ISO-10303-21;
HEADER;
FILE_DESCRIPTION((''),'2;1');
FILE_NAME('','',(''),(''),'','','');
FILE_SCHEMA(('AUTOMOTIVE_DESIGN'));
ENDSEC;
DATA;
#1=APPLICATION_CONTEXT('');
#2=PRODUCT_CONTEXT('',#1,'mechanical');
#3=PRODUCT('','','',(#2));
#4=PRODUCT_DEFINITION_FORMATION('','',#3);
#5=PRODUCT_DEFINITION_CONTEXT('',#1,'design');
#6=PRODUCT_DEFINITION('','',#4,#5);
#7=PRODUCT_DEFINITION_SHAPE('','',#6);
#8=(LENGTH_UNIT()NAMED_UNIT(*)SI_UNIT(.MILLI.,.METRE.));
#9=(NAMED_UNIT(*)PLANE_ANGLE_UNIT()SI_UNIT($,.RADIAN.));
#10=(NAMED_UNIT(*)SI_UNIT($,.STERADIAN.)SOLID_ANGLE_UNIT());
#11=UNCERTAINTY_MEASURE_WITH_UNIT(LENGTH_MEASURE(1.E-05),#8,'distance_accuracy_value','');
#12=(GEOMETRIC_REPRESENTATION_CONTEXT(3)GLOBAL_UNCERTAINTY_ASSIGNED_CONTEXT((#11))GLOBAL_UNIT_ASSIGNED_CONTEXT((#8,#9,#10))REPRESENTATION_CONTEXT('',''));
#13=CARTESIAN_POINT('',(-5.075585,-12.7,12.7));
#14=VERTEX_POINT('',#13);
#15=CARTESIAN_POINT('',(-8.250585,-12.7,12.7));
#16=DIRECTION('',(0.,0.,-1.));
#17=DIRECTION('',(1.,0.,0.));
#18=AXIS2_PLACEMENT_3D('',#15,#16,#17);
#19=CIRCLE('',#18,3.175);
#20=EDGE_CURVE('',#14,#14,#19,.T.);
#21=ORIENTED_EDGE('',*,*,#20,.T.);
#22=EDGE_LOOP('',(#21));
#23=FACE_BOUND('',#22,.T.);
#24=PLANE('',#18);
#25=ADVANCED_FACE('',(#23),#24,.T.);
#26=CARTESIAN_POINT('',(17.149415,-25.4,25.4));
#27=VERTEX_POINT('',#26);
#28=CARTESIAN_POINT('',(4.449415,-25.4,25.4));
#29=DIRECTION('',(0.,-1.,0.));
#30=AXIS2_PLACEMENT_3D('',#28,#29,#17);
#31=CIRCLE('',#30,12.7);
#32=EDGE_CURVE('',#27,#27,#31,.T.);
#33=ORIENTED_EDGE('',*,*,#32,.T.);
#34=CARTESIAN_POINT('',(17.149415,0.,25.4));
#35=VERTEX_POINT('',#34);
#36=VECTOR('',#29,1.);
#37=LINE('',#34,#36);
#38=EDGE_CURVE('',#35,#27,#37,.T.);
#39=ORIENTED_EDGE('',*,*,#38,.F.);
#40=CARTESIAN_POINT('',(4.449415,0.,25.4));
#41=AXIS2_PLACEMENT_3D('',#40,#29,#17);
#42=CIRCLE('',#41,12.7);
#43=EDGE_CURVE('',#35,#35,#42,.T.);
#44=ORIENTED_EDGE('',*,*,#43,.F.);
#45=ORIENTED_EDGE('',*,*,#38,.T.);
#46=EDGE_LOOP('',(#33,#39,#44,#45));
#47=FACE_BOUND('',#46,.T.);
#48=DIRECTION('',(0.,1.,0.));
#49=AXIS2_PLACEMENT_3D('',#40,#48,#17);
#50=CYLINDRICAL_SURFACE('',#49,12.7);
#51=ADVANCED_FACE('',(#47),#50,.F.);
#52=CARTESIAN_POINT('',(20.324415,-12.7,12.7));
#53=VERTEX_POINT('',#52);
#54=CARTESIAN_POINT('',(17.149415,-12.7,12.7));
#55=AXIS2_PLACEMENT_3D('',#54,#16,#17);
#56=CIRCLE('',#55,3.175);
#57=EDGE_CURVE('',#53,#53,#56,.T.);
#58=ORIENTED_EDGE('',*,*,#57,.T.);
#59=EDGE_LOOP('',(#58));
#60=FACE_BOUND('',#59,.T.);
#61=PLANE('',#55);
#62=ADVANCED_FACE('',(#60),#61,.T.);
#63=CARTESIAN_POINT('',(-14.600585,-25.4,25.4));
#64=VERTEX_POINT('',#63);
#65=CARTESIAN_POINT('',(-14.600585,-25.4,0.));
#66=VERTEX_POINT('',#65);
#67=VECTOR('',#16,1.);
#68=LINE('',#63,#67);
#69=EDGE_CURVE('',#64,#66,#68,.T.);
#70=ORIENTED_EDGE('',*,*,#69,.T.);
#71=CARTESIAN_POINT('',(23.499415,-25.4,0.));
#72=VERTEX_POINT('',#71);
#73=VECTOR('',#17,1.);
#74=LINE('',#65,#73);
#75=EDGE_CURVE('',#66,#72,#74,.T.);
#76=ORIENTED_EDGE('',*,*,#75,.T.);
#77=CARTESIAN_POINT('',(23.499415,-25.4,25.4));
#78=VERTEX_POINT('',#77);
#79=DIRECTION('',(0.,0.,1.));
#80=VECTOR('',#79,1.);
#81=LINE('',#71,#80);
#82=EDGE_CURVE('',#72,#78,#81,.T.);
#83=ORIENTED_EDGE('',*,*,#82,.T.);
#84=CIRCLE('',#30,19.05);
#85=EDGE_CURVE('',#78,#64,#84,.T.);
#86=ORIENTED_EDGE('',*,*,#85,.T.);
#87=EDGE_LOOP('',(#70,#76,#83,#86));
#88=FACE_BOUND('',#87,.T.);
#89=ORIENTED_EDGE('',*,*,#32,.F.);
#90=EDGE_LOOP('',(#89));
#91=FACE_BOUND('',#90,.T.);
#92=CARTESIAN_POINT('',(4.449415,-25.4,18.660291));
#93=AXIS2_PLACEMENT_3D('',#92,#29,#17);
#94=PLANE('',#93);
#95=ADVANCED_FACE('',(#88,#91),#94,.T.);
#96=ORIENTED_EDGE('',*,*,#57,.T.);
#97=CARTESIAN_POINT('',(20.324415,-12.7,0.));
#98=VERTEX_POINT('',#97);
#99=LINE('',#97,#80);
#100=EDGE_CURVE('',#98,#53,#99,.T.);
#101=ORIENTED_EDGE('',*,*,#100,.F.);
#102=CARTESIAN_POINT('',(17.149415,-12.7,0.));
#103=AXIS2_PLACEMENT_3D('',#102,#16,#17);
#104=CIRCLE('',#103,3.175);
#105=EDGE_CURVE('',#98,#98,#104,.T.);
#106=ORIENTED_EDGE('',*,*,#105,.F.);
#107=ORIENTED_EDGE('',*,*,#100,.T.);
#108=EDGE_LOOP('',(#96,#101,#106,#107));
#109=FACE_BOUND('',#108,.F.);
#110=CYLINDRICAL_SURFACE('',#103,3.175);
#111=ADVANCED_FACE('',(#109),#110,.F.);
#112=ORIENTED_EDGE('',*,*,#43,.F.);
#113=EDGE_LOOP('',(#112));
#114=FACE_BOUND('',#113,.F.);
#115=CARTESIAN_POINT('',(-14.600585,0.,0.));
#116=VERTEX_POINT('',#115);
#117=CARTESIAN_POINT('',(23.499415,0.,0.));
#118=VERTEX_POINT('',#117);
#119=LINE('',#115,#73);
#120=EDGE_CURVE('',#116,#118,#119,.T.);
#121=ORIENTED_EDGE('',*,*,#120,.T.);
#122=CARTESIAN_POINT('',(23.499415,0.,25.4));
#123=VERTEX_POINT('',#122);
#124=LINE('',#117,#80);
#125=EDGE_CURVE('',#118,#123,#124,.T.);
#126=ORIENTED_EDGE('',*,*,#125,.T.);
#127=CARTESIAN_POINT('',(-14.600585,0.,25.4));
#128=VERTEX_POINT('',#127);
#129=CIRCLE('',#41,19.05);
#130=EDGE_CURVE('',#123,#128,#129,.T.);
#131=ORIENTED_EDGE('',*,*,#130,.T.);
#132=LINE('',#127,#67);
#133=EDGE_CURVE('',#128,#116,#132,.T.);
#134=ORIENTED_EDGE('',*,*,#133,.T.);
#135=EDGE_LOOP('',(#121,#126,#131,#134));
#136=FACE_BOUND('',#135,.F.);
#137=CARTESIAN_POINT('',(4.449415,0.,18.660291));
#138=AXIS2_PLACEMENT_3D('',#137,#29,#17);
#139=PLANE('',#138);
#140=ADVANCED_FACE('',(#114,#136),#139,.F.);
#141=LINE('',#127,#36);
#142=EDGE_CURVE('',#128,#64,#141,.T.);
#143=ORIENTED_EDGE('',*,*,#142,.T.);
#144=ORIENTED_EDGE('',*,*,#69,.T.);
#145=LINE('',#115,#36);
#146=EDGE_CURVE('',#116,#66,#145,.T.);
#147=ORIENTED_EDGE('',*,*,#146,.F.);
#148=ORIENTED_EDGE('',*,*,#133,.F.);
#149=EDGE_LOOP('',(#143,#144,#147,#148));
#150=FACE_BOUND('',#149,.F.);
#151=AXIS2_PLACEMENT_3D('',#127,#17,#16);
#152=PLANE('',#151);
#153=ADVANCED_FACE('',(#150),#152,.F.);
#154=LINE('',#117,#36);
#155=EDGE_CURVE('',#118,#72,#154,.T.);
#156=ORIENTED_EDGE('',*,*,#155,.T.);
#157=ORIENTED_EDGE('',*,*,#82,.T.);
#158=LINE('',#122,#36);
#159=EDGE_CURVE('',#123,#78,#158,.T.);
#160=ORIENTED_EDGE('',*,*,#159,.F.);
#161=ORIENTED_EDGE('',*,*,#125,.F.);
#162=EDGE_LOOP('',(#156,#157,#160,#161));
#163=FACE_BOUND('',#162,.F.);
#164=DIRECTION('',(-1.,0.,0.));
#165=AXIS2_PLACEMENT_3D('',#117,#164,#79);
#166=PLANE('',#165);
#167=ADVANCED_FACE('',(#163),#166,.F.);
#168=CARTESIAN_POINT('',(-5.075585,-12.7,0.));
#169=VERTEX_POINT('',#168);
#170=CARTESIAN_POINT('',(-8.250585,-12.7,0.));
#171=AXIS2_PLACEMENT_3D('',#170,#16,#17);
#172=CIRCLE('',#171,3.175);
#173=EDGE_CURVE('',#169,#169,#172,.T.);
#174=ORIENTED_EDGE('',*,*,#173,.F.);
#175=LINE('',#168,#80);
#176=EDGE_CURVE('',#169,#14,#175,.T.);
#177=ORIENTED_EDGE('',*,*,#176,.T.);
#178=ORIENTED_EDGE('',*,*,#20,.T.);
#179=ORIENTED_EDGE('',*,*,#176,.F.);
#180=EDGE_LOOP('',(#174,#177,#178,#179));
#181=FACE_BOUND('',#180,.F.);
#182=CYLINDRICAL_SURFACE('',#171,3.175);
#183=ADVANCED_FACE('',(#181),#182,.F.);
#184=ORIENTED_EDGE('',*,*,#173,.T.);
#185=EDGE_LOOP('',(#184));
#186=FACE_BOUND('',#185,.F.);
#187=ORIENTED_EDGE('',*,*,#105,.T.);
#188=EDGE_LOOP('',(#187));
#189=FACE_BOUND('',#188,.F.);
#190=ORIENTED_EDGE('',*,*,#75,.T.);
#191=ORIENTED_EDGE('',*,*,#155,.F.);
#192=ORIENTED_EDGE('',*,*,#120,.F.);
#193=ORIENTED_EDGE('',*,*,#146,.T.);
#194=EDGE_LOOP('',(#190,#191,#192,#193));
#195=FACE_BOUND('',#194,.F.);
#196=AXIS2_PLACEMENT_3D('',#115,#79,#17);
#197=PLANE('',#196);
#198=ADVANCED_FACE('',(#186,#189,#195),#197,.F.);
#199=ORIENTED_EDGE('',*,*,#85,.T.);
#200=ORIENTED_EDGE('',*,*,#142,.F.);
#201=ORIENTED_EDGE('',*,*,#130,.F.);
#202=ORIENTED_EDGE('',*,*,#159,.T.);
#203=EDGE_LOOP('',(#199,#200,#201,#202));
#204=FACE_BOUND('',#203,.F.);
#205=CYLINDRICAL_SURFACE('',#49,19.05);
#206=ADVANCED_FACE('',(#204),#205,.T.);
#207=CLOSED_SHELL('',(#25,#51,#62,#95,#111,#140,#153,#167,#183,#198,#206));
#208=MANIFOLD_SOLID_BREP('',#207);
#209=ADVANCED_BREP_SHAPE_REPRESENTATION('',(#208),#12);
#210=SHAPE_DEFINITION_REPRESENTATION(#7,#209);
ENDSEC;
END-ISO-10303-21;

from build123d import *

# Parameters (mm, degrees)
F0_R     = 12.7
F1_DEPTH = 25.4
F2_R     = 3.175
F3_DEPTH = 12.7


with BuildPart() as f1:
    # F0 (on Front) → F1 (new body)
    with BuildSketch(Plane.XZ):
        with BuildLine():
            Line((-14.600585, 25.4), (-14.600585, 0))
            Line((-14.600585, 0), (23.499415, 0))
            Line((23.499415, 0), (23.499415, 25.4))
            ThreePointArc((23.499415, 25.4), (4.449415, 44.45), (-14.600585, 25.4))
        make_face()
        with Locations((4.449415, 25.4)):
            Circle(F0_R, mode=Mode.SUBTRACT)
    extrude(amount=F1_DEPTH)

    # F2 (on face) → F3 (cut)
    with BuildSketch(Plane(origin=(0, 0, 0), x_dir=(1, 0, 0), z_dir=(0, 0, -1))):
        with Locations((-8.250585, 12.7)):
            Circle(F2_R)
        with Locations((17.149415, 12.7)):
            Circle(F2_R)
    extrude(amount=-F3_DEPTH, mode=Mode.SUBTRACT)


solid = f1.part
